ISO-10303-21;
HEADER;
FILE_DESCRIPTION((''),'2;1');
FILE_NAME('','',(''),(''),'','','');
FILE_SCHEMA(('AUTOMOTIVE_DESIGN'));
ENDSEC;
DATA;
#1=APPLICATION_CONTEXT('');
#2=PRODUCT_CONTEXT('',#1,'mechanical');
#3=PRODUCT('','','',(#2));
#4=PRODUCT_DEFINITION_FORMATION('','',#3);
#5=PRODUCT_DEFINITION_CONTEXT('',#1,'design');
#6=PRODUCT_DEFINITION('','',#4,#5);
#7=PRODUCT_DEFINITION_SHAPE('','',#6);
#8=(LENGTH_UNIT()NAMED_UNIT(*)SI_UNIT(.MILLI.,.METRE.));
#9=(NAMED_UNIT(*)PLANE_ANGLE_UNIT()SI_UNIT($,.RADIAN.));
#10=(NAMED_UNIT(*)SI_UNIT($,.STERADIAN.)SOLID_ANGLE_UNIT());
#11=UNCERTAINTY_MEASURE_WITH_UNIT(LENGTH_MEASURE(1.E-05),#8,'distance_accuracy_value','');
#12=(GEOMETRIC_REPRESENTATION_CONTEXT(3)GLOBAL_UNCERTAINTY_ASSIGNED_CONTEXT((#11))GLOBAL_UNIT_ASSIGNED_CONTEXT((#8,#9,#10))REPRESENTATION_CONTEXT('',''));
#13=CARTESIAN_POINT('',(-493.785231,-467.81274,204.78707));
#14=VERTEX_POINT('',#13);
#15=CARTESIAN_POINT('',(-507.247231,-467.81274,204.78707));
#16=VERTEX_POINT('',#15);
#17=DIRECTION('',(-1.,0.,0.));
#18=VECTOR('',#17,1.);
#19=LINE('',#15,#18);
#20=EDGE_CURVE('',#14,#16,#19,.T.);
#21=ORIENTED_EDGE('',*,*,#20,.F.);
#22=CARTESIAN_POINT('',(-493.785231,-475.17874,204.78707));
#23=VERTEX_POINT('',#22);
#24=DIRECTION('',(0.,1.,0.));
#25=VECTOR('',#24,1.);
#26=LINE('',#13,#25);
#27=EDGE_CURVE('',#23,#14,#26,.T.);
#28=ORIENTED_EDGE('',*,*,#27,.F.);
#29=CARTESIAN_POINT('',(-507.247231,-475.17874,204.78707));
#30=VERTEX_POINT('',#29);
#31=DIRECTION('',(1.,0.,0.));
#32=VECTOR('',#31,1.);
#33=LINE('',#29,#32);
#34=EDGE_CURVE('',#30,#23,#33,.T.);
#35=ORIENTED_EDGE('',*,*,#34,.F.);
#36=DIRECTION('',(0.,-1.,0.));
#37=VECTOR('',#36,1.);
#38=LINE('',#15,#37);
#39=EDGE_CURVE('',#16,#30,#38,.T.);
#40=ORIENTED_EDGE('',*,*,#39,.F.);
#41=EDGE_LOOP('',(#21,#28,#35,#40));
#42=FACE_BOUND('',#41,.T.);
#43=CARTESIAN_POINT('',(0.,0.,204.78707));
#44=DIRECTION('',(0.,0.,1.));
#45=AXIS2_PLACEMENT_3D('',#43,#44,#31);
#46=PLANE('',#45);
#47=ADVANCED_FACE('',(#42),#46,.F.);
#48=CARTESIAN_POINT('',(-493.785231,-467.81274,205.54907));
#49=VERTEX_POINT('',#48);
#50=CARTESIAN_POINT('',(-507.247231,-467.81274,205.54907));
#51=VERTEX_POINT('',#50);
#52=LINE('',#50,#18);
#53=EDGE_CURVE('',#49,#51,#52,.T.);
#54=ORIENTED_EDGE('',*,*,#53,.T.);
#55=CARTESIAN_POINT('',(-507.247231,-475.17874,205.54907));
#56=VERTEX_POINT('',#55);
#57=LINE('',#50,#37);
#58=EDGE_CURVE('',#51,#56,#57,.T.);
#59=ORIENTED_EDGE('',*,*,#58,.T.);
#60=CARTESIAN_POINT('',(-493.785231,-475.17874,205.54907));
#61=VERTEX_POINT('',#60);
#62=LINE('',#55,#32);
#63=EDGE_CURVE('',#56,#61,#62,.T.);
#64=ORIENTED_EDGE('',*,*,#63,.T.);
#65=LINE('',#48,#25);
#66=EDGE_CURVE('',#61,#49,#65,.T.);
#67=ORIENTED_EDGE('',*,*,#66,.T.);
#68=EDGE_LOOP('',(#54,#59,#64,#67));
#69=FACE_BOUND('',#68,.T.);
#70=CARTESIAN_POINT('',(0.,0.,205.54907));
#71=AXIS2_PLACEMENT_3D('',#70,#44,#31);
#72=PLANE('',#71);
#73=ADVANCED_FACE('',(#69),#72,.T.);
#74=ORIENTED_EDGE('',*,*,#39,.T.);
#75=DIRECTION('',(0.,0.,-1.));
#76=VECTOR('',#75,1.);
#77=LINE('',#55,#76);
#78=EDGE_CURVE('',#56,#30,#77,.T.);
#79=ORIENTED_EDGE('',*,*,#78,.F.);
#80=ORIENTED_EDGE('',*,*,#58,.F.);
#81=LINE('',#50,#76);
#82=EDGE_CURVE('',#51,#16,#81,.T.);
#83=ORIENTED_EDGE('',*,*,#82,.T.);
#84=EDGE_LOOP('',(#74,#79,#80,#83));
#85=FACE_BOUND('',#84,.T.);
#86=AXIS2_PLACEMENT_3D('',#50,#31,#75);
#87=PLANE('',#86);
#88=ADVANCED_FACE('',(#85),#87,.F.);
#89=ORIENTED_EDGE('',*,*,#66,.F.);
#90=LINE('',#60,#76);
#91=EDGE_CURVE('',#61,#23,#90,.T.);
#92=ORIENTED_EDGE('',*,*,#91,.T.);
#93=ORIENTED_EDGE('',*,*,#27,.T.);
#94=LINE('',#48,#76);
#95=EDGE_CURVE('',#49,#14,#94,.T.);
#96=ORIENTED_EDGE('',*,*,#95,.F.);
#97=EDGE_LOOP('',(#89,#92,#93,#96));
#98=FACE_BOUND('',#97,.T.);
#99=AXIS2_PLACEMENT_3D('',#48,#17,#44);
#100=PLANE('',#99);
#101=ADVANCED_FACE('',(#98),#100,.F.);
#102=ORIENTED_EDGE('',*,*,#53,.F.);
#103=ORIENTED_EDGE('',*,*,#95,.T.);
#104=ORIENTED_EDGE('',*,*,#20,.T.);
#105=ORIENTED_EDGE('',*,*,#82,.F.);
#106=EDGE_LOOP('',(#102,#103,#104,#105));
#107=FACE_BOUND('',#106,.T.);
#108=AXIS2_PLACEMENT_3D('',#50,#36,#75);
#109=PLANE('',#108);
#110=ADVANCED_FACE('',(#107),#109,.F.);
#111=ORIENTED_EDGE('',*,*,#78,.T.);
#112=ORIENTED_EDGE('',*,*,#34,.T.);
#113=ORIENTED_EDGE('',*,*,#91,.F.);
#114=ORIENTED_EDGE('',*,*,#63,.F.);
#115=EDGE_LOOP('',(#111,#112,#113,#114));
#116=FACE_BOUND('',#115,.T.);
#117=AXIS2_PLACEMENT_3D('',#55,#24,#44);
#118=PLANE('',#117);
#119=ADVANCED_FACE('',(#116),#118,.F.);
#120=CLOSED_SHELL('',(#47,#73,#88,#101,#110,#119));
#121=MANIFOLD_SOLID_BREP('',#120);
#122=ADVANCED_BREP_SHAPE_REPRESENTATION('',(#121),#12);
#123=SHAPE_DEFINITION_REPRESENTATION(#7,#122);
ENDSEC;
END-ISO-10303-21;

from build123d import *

# Parameters (mm, degrees)
SKETCH1_W           = 13.462
SKETCH1_H           = 7.366
BOSS_EXTRUDE1_DEPTH = 0.762


with BuildPart() as part:
    # Sketch1 → Boss-Extrude1 (new body)
    with BuildSketch(Plane.XY.offset(204.787070427)):
        with Locations((-500.516231154, -471.495739889)):
            Rectangle(SKETCH1_W, SKETCH1_H)
    extrude(amount=BOSS_EXTRUDE1_DEPTH)


solid = part.part
